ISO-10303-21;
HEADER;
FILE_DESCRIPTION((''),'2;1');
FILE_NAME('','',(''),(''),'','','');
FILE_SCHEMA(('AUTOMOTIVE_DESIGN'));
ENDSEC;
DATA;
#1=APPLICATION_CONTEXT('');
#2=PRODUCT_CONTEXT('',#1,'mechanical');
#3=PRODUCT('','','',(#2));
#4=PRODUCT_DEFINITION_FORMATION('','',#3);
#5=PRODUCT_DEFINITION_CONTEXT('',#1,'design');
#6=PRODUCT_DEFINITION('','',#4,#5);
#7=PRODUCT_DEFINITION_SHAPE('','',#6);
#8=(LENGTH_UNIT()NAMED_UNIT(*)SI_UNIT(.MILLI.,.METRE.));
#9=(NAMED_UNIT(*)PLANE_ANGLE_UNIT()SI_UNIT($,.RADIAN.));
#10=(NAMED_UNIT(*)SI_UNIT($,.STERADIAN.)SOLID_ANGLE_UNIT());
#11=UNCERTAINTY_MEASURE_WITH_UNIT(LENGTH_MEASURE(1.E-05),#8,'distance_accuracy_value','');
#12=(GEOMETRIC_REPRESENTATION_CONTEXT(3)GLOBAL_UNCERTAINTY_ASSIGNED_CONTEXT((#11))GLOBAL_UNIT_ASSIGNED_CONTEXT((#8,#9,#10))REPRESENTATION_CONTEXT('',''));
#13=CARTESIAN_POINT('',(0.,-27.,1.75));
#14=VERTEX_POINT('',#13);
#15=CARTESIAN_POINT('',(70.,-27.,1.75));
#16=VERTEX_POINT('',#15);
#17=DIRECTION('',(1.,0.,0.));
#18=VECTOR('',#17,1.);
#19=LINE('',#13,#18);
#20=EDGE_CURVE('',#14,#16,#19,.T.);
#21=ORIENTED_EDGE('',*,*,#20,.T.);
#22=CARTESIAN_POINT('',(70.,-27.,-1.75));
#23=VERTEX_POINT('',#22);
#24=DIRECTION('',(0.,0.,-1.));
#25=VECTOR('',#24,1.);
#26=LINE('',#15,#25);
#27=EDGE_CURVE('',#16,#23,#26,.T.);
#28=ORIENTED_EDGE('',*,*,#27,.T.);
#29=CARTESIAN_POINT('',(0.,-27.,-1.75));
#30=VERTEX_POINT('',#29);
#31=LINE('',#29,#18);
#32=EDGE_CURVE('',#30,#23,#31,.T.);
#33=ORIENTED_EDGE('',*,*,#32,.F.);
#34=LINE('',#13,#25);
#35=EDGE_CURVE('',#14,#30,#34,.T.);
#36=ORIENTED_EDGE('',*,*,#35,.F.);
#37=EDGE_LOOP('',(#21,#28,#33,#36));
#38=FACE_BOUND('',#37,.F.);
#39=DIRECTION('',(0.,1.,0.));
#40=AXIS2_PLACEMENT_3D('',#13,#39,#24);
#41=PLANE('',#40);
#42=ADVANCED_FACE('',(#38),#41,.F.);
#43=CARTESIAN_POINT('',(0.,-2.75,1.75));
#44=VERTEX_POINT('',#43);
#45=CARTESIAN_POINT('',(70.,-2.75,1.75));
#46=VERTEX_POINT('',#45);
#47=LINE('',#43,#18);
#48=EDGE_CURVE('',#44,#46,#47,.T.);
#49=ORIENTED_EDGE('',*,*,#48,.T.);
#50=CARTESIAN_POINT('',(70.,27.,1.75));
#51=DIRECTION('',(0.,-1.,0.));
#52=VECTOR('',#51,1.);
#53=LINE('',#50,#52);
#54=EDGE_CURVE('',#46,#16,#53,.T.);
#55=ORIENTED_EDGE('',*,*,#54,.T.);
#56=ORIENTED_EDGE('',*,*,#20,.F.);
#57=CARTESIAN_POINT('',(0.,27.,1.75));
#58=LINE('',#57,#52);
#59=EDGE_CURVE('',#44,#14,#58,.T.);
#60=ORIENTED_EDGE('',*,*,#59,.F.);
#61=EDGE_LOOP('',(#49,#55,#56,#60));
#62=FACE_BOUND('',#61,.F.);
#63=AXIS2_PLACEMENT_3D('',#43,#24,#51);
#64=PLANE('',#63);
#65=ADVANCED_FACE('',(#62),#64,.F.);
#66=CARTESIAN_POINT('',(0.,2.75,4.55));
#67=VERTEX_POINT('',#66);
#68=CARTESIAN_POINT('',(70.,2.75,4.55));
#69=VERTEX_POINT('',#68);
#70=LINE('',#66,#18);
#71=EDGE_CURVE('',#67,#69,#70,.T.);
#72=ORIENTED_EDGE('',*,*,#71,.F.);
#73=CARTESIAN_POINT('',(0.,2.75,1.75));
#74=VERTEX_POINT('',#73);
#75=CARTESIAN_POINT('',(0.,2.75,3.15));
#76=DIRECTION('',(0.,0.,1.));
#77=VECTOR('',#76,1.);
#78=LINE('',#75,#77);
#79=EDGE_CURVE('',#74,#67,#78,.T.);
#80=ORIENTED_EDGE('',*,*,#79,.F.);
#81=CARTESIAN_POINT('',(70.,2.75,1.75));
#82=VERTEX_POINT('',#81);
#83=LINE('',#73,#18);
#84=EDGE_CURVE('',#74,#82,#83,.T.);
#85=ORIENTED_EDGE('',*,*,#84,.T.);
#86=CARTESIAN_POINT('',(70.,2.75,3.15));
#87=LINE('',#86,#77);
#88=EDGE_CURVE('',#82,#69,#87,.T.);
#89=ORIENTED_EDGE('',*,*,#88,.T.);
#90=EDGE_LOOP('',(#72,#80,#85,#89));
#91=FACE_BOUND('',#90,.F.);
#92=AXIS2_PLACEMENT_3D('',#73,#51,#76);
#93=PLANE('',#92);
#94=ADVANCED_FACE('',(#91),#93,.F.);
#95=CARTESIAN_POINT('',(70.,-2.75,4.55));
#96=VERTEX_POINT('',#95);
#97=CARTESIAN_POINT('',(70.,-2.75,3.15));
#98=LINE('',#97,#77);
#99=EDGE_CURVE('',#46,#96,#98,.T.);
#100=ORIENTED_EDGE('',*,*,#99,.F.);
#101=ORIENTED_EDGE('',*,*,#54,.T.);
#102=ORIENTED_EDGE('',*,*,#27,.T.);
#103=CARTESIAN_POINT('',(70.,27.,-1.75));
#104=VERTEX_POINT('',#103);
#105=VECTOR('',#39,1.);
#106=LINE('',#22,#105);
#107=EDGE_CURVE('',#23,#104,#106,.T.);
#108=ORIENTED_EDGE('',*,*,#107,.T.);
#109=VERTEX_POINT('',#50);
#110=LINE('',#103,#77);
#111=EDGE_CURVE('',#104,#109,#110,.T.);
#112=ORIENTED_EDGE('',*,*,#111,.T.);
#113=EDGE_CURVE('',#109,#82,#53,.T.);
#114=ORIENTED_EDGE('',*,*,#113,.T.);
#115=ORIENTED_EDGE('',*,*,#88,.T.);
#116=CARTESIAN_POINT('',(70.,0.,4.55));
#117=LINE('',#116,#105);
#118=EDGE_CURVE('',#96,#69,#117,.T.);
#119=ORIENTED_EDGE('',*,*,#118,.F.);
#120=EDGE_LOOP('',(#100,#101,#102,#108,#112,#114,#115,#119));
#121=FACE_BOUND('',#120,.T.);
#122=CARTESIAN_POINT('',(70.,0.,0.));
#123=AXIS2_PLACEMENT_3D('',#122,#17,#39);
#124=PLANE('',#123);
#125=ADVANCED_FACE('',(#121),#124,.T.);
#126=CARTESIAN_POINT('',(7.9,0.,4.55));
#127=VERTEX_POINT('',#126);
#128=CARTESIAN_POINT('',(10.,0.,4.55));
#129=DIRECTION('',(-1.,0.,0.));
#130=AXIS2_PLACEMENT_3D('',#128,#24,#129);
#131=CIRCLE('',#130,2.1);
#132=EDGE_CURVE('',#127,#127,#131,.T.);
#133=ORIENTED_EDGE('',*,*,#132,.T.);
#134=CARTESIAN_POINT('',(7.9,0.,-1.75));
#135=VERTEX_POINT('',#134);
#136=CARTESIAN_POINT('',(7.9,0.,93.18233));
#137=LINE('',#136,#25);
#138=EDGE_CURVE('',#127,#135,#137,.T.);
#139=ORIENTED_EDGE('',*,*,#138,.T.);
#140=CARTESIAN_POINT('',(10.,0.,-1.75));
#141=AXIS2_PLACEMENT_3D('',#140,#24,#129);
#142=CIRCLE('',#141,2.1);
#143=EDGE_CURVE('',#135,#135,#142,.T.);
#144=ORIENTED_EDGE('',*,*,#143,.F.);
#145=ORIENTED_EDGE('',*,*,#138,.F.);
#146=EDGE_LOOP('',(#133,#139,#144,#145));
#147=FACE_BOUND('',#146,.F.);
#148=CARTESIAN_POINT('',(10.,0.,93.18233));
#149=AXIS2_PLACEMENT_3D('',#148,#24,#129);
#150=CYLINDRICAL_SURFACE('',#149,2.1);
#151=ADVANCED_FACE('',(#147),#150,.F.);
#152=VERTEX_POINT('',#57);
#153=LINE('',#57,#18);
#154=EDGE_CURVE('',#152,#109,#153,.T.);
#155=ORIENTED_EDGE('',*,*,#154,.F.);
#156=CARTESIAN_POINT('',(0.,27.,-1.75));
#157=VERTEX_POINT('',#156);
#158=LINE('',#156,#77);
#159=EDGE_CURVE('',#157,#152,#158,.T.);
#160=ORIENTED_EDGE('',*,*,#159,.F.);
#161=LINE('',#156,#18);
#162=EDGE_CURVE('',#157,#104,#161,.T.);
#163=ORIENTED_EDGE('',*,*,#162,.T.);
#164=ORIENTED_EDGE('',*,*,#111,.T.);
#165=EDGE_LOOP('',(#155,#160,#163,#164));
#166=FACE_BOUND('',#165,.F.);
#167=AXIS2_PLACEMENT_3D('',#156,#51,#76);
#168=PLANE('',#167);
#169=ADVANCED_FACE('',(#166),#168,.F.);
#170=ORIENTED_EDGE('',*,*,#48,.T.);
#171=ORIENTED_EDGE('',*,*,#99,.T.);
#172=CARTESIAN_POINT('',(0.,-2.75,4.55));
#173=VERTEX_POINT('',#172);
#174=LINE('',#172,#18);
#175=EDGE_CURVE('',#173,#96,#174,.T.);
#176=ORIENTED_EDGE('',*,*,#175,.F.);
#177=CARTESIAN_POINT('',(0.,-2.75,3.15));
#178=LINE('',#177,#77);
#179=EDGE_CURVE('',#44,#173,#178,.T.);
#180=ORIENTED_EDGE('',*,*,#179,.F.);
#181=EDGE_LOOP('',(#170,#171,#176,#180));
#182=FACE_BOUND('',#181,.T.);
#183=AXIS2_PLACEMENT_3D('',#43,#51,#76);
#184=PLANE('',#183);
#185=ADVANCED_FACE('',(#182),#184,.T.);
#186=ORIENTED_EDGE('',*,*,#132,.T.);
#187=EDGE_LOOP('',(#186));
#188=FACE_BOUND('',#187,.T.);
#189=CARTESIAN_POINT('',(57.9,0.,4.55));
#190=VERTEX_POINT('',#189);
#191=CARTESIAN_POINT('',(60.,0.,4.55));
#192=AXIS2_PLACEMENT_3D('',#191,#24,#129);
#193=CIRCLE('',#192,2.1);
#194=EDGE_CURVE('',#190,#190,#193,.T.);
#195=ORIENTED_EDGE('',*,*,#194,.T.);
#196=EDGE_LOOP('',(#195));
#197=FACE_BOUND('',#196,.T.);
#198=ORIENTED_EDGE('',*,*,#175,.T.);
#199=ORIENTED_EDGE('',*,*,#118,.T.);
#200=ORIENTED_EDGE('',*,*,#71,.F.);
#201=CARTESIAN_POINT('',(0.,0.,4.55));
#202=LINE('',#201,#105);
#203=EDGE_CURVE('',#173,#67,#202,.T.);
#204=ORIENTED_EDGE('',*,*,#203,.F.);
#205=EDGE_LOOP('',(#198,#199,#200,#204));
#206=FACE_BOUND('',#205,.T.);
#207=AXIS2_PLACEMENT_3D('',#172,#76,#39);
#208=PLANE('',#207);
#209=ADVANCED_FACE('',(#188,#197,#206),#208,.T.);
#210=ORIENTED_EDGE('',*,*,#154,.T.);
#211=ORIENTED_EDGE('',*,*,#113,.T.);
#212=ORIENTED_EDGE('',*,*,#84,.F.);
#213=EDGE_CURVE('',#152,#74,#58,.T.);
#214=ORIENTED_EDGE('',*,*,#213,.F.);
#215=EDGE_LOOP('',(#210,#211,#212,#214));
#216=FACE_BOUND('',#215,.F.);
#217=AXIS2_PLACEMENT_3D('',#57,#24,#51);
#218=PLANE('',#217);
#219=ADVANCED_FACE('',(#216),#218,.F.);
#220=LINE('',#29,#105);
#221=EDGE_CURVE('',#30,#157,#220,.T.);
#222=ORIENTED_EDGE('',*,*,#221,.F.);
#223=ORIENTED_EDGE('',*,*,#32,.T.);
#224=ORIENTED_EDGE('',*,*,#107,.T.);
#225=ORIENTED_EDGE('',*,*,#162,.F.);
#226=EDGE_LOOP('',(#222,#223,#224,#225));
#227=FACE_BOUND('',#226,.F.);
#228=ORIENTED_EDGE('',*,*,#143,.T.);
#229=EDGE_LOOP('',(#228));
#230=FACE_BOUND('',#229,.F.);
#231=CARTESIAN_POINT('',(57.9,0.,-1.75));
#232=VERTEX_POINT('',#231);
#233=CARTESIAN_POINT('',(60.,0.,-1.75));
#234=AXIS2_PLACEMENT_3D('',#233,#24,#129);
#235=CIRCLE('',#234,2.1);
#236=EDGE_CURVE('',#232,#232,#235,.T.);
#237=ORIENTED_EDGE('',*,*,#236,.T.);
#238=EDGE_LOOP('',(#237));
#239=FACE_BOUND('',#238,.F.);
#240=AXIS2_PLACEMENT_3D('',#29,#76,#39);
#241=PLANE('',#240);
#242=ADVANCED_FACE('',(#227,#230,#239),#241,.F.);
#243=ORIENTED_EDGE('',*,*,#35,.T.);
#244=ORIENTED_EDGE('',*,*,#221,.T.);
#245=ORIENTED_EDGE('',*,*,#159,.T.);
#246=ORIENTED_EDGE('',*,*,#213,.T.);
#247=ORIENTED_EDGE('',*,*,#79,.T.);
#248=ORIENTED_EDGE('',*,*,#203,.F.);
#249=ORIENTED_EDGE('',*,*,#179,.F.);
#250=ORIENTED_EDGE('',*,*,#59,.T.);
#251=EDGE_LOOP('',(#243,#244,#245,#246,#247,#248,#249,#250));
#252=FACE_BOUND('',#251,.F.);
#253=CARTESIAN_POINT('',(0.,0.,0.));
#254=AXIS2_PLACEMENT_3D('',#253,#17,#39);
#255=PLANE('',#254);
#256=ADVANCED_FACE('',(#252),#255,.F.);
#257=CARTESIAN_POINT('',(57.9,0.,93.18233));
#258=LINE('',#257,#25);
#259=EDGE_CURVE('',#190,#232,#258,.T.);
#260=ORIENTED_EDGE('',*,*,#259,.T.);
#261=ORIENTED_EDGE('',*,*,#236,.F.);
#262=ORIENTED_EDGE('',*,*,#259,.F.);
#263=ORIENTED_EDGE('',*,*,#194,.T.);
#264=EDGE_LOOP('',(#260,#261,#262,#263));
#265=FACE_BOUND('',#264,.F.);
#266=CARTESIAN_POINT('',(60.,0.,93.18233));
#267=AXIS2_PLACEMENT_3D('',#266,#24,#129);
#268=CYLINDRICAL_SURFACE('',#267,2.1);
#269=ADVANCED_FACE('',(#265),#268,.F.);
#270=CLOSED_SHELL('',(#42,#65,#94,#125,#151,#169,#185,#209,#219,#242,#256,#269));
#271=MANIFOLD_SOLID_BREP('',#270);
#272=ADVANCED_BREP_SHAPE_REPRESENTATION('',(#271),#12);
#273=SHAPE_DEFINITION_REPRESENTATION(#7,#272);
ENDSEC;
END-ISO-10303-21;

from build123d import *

# Parameters (mm, degrees)
F0_W     = 5.5
F0_H     = 2.8
F1_DEPTH = 70
F3_D     = 4.2


with BuildPart() as f1:
    # F0 (on Right) → F1 (new body)
    with BuildSketch(Plane.YZ):
        Polygon((27, -1.75), (27, 1.75), (2.75, 1.75), (-2.75, 1.75), (-27, 1.75), (-27, -1.75), align=None)
        with Locations((0, 3.15)):
            Rectangle(F0_W, F0_H)
    extrude(amount=F1_DEPTH)

    # F3 (through all)
    with Locations(Plane.XY.offset(4.55)):
        with Locations((10, 0), (60, 0)):
            Hole(F3_D / 2)


solid = f1.part
